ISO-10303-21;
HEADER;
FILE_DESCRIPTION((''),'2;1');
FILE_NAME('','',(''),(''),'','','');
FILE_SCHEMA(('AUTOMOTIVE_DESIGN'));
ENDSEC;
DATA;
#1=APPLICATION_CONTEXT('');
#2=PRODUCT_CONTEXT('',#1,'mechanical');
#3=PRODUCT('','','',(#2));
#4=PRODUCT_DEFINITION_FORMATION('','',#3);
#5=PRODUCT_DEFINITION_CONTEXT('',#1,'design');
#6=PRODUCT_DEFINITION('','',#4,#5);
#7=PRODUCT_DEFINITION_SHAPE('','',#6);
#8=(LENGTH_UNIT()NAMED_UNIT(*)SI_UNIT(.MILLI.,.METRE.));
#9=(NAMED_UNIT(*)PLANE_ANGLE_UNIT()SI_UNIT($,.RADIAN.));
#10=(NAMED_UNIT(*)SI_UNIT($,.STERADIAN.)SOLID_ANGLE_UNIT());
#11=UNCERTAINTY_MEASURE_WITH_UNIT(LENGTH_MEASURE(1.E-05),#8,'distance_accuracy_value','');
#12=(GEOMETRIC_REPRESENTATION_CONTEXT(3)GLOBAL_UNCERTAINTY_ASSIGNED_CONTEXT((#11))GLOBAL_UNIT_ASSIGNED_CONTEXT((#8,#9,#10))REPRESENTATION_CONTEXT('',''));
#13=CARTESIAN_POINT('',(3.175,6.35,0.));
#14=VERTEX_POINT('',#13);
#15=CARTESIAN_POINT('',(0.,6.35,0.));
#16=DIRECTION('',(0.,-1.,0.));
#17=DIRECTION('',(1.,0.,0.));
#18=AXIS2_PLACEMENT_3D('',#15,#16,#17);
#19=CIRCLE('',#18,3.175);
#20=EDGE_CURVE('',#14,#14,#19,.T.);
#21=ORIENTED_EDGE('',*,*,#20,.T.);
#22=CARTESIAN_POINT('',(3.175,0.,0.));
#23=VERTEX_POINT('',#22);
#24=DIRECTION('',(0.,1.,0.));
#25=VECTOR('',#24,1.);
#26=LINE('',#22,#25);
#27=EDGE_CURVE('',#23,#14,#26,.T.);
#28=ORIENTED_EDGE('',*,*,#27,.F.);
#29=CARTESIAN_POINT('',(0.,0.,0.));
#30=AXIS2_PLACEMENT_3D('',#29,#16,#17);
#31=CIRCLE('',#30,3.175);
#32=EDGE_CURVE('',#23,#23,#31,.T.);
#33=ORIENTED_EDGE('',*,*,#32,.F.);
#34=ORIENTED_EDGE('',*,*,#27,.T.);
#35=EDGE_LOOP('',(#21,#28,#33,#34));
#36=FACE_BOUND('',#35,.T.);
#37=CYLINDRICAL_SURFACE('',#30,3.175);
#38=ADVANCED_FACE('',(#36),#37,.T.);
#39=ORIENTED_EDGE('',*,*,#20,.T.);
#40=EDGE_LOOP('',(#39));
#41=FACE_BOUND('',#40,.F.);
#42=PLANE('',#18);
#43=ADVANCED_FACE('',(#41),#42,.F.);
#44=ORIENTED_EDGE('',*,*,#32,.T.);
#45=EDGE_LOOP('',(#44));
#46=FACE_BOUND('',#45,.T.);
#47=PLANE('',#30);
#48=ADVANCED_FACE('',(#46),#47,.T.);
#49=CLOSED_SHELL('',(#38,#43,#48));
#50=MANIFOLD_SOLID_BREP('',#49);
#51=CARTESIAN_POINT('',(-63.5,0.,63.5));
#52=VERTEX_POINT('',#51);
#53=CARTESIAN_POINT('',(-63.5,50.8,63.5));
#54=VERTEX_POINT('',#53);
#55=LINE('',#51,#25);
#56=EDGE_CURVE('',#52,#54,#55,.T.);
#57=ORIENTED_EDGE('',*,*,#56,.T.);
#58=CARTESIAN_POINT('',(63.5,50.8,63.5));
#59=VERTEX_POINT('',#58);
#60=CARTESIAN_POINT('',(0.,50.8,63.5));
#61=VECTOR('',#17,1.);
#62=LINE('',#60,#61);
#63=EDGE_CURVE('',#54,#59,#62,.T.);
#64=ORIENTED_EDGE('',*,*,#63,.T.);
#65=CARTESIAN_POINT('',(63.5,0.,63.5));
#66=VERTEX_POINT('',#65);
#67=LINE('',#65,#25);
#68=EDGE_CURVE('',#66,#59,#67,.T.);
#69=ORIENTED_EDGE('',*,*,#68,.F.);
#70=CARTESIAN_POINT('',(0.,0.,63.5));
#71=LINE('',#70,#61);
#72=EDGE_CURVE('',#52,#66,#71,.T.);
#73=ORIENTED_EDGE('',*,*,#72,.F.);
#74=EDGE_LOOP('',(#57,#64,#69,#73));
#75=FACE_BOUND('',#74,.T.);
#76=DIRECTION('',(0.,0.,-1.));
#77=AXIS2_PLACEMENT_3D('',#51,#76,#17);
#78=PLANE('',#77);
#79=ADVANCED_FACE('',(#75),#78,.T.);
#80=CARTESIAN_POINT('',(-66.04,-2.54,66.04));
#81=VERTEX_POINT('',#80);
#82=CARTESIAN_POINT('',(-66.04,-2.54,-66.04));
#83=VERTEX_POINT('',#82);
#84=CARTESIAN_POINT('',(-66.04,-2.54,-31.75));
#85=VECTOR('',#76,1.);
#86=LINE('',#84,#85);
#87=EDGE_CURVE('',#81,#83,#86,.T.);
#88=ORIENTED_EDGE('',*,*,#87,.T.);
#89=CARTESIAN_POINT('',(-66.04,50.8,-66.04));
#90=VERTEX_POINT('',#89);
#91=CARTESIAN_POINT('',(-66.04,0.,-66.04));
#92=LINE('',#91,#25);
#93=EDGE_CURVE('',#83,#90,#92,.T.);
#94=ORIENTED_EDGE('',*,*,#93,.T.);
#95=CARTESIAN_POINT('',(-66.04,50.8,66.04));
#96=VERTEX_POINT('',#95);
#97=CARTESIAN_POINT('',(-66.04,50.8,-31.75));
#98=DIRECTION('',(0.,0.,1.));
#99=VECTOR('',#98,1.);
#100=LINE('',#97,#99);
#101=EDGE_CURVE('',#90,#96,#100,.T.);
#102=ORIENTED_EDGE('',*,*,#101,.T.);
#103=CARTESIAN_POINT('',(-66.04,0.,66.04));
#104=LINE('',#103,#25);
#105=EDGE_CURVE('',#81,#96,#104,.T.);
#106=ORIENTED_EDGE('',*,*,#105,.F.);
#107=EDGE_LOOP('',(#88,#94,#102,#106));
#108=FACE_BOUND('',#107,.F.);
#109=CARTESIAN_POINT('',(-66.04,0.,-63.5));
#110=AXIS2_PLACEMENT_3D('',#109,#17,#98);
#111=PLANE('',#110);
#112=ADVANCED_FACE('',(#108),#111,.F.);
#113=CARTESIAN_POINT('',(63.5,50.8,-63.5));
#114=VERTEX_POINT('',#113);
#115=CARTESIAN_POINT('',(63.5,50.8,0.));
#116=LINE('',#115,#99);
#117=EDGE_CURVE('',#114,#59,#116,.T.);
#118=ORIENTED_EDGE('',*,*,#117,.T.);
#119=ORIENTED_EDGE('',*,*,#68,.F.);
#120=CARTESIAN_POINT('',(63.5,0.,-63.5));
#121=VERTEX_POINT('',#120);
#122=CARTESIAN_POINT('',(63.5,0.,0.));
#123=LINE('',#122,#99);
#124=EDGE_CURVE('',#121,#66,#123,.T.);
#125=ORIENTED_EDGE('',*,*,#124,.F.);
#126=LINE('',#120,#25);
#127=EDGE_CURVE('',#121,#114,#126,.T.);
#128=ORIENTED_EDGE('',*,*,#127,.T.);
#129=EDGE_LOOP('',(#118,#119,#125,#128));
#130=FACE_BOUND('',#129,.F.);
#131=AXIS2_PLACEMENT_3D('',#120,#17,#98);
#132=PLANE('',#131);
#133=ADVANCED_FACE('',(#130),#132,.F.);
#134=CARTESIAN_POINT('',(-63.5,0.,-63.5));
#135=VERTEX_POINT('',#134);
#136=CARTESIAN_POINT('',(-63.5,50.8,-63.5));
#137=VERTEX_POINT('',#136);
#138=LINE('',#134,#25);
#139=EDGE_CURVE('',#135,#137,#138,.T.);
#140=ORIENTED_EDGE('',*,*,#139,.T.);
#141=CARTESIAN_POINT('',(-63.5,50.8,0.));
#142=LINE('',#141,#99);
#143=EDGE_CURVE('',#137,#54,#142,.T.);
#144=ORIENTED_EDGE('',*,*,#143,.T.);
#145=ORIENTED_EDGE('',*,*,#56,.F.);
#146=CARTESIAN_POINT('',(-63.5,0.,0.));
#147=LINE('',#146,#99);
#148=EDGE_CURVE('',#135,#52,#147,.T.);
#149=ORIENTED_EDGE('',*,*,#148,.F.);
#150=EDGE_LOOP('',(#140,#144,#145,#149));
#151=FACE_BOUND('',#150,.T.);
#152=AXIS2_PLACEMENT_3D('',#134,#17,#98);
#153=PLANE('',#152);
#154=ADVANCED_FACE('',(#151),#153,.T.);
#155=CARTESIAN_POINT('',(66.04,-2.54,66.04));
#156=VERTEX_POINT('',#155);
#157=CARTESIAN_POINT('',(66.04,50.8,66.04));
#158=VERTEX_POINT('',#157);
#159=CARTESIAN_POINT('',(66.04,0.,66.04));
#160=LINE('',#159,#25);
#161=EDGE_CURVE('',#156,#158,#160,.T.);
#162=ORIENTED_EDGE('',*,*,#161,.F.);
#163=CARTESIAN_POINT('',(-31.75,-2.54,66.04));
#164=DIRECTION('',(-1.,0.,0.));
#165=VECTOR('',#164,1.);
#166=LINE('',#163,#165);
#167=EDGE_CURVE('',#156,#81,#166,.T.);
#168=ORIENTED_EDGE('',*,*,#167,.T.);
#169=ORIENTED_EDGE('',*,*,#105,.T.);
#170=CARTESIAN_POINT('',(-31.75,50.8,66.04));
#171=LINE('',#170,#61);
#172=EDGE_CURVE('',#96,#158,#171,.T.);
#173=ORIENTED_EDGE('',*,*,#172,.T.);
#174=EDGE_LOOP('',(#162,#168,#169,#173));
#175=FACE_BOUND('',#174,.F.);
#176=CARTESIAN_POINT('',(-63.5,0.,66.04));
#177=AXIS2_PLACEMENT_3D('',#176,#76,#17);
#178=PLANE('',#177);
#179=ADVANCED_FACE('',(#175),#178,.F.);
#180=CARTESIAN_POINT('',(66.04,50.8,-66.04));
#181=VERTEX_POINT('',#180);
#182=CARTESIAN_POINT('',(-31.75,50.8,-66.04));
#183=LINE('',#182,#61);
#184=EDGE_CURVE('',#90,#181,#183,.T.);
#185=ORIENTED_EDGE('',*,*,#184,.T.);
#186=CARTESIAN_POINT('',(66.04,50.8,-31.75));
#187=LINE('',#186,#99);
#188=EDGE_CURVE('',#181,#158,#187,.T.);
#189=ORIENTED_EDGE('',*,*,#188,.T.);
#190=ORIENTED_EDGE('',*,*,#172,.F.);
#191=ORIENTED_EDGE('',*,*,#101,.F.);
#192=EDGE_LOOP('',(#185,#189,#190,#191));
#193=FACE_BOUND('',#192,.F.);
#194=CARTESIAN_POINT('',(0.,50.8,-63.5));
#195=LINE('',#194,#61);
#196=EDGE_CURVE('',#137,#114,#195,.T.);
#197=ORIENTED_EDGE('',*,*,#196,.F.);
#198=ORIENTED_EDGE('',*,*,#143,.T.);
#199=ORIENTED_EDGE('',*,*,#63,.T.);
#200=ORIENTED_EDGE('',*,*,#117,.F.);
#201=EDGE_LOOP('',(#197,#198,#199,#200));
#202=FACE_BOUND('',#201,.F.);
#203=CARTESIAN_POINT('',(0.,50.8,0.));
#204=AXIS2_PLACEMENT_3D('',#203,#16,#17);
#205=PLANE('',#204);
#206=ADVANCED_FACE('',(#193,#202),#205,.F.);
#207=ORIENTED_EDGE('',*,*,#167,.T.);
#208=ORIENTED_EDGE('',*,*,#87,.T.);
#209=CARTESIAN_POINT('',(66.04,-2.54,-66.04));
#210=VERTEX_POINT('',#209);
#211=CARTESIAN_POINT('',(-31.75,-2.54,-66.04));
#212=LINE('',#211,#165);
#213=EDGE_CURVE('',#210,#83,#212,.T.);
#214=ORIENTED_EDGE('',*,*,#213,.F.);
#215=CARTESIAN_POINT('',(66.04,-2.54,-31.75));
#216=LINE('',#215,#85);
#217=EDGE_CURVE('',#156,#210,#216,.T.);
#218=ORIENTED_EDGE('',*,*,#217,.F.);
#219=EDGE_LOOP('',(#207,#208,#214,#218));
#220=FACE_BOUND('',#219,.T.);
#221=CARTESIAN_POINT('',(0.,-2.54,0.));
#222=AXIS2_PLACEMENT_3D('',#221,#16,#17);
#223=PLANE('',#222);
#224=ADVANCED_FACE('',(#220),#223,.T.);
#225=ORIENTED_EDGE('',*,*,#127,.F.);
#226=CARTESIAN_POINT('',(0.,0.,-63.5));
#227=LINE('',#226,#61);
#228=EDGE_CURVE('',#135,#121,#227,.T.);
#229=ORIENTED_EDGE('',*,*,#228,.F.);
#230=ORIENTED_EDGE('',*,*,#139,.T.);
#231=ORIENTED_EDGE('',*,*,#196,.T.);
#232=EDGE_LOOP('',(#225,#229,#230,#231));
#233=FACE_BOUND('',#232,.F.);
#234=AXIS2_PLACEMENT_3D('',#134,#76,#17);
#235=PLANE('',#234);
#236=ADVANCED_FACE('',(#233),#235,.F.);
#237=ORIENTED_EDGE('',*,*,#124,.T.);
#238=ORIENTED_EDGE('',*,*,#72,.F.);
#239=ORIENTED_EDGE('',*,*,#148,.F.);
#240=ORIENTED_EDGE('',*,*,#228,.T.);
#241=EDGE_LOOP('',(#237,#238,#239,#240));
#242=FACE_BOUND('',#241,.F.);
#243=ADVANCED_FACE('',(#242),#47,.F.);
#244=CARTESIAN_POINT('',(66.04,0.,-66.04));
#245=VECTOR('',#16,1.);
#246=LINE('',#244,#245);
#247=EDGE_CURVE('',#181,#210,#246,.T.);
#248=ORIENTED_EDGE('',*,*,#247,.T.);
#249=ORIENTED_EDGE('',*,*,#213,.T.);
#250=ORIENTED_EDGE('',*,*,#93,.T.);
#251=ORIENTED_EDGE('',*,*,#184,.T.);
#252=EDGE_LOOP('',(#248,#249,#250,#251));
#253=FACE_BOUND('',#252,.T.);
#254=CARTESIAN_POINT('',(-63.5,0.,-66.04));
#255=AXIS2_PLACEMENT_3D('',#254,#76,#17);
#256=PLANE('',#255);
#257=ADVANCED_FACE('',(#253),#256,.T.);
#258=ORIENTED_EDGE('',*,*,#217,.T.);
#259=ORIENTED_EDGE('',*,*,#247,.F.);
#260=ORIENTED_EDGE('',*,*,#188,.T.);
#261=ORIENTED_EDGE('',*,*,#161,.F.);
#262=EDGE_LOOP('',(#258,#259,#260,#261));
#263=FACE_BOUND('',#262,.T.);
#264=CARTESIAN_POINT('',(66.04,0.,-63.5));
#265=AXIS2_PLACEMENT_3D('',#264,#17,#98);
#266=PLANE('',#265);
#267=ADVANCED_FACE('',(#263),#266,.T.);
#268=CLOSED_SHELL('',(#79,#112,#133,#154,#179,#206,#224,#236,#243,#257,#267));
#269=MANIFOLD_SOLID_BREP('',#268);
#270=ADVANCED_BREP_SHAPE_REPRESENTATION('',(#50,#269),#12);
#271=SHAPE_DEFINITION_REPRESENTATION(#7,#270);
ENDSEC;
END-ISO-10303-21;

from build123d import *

# Parameters (mm, degrees)
F0_W     = 127
F0_H     = 127
F1_DEPTH = 50.8
F2_R     = 3.175
F3_DEPTH = 6.35
F4_T     = 2.54


with BuildPart() as f1:
    # F0 (on Front) → F1 (new body)
    with BuildSketch(Plane.XZ):
        Rectangle(F0_W, F0_H)
    extrude(amount=-F1_DEPTH)

    # F4
    f4_openings = [f1.faces().sort_by_distance(p)[0] for p in [
        (0, 50.8, 0),
    ]]
    offset(amount=F4_T, openings=f4_openings, kind=Kind.INTERSECTION)


with BuildPart() as f3:
    # F2 (on face) → F3 (new body)
    with BuildSketch(Plane.XZ):
        Circle(F2_R)
    extrude(amount=-F3_DEPTH)


solid = Compound([f1.part, f3.part])
